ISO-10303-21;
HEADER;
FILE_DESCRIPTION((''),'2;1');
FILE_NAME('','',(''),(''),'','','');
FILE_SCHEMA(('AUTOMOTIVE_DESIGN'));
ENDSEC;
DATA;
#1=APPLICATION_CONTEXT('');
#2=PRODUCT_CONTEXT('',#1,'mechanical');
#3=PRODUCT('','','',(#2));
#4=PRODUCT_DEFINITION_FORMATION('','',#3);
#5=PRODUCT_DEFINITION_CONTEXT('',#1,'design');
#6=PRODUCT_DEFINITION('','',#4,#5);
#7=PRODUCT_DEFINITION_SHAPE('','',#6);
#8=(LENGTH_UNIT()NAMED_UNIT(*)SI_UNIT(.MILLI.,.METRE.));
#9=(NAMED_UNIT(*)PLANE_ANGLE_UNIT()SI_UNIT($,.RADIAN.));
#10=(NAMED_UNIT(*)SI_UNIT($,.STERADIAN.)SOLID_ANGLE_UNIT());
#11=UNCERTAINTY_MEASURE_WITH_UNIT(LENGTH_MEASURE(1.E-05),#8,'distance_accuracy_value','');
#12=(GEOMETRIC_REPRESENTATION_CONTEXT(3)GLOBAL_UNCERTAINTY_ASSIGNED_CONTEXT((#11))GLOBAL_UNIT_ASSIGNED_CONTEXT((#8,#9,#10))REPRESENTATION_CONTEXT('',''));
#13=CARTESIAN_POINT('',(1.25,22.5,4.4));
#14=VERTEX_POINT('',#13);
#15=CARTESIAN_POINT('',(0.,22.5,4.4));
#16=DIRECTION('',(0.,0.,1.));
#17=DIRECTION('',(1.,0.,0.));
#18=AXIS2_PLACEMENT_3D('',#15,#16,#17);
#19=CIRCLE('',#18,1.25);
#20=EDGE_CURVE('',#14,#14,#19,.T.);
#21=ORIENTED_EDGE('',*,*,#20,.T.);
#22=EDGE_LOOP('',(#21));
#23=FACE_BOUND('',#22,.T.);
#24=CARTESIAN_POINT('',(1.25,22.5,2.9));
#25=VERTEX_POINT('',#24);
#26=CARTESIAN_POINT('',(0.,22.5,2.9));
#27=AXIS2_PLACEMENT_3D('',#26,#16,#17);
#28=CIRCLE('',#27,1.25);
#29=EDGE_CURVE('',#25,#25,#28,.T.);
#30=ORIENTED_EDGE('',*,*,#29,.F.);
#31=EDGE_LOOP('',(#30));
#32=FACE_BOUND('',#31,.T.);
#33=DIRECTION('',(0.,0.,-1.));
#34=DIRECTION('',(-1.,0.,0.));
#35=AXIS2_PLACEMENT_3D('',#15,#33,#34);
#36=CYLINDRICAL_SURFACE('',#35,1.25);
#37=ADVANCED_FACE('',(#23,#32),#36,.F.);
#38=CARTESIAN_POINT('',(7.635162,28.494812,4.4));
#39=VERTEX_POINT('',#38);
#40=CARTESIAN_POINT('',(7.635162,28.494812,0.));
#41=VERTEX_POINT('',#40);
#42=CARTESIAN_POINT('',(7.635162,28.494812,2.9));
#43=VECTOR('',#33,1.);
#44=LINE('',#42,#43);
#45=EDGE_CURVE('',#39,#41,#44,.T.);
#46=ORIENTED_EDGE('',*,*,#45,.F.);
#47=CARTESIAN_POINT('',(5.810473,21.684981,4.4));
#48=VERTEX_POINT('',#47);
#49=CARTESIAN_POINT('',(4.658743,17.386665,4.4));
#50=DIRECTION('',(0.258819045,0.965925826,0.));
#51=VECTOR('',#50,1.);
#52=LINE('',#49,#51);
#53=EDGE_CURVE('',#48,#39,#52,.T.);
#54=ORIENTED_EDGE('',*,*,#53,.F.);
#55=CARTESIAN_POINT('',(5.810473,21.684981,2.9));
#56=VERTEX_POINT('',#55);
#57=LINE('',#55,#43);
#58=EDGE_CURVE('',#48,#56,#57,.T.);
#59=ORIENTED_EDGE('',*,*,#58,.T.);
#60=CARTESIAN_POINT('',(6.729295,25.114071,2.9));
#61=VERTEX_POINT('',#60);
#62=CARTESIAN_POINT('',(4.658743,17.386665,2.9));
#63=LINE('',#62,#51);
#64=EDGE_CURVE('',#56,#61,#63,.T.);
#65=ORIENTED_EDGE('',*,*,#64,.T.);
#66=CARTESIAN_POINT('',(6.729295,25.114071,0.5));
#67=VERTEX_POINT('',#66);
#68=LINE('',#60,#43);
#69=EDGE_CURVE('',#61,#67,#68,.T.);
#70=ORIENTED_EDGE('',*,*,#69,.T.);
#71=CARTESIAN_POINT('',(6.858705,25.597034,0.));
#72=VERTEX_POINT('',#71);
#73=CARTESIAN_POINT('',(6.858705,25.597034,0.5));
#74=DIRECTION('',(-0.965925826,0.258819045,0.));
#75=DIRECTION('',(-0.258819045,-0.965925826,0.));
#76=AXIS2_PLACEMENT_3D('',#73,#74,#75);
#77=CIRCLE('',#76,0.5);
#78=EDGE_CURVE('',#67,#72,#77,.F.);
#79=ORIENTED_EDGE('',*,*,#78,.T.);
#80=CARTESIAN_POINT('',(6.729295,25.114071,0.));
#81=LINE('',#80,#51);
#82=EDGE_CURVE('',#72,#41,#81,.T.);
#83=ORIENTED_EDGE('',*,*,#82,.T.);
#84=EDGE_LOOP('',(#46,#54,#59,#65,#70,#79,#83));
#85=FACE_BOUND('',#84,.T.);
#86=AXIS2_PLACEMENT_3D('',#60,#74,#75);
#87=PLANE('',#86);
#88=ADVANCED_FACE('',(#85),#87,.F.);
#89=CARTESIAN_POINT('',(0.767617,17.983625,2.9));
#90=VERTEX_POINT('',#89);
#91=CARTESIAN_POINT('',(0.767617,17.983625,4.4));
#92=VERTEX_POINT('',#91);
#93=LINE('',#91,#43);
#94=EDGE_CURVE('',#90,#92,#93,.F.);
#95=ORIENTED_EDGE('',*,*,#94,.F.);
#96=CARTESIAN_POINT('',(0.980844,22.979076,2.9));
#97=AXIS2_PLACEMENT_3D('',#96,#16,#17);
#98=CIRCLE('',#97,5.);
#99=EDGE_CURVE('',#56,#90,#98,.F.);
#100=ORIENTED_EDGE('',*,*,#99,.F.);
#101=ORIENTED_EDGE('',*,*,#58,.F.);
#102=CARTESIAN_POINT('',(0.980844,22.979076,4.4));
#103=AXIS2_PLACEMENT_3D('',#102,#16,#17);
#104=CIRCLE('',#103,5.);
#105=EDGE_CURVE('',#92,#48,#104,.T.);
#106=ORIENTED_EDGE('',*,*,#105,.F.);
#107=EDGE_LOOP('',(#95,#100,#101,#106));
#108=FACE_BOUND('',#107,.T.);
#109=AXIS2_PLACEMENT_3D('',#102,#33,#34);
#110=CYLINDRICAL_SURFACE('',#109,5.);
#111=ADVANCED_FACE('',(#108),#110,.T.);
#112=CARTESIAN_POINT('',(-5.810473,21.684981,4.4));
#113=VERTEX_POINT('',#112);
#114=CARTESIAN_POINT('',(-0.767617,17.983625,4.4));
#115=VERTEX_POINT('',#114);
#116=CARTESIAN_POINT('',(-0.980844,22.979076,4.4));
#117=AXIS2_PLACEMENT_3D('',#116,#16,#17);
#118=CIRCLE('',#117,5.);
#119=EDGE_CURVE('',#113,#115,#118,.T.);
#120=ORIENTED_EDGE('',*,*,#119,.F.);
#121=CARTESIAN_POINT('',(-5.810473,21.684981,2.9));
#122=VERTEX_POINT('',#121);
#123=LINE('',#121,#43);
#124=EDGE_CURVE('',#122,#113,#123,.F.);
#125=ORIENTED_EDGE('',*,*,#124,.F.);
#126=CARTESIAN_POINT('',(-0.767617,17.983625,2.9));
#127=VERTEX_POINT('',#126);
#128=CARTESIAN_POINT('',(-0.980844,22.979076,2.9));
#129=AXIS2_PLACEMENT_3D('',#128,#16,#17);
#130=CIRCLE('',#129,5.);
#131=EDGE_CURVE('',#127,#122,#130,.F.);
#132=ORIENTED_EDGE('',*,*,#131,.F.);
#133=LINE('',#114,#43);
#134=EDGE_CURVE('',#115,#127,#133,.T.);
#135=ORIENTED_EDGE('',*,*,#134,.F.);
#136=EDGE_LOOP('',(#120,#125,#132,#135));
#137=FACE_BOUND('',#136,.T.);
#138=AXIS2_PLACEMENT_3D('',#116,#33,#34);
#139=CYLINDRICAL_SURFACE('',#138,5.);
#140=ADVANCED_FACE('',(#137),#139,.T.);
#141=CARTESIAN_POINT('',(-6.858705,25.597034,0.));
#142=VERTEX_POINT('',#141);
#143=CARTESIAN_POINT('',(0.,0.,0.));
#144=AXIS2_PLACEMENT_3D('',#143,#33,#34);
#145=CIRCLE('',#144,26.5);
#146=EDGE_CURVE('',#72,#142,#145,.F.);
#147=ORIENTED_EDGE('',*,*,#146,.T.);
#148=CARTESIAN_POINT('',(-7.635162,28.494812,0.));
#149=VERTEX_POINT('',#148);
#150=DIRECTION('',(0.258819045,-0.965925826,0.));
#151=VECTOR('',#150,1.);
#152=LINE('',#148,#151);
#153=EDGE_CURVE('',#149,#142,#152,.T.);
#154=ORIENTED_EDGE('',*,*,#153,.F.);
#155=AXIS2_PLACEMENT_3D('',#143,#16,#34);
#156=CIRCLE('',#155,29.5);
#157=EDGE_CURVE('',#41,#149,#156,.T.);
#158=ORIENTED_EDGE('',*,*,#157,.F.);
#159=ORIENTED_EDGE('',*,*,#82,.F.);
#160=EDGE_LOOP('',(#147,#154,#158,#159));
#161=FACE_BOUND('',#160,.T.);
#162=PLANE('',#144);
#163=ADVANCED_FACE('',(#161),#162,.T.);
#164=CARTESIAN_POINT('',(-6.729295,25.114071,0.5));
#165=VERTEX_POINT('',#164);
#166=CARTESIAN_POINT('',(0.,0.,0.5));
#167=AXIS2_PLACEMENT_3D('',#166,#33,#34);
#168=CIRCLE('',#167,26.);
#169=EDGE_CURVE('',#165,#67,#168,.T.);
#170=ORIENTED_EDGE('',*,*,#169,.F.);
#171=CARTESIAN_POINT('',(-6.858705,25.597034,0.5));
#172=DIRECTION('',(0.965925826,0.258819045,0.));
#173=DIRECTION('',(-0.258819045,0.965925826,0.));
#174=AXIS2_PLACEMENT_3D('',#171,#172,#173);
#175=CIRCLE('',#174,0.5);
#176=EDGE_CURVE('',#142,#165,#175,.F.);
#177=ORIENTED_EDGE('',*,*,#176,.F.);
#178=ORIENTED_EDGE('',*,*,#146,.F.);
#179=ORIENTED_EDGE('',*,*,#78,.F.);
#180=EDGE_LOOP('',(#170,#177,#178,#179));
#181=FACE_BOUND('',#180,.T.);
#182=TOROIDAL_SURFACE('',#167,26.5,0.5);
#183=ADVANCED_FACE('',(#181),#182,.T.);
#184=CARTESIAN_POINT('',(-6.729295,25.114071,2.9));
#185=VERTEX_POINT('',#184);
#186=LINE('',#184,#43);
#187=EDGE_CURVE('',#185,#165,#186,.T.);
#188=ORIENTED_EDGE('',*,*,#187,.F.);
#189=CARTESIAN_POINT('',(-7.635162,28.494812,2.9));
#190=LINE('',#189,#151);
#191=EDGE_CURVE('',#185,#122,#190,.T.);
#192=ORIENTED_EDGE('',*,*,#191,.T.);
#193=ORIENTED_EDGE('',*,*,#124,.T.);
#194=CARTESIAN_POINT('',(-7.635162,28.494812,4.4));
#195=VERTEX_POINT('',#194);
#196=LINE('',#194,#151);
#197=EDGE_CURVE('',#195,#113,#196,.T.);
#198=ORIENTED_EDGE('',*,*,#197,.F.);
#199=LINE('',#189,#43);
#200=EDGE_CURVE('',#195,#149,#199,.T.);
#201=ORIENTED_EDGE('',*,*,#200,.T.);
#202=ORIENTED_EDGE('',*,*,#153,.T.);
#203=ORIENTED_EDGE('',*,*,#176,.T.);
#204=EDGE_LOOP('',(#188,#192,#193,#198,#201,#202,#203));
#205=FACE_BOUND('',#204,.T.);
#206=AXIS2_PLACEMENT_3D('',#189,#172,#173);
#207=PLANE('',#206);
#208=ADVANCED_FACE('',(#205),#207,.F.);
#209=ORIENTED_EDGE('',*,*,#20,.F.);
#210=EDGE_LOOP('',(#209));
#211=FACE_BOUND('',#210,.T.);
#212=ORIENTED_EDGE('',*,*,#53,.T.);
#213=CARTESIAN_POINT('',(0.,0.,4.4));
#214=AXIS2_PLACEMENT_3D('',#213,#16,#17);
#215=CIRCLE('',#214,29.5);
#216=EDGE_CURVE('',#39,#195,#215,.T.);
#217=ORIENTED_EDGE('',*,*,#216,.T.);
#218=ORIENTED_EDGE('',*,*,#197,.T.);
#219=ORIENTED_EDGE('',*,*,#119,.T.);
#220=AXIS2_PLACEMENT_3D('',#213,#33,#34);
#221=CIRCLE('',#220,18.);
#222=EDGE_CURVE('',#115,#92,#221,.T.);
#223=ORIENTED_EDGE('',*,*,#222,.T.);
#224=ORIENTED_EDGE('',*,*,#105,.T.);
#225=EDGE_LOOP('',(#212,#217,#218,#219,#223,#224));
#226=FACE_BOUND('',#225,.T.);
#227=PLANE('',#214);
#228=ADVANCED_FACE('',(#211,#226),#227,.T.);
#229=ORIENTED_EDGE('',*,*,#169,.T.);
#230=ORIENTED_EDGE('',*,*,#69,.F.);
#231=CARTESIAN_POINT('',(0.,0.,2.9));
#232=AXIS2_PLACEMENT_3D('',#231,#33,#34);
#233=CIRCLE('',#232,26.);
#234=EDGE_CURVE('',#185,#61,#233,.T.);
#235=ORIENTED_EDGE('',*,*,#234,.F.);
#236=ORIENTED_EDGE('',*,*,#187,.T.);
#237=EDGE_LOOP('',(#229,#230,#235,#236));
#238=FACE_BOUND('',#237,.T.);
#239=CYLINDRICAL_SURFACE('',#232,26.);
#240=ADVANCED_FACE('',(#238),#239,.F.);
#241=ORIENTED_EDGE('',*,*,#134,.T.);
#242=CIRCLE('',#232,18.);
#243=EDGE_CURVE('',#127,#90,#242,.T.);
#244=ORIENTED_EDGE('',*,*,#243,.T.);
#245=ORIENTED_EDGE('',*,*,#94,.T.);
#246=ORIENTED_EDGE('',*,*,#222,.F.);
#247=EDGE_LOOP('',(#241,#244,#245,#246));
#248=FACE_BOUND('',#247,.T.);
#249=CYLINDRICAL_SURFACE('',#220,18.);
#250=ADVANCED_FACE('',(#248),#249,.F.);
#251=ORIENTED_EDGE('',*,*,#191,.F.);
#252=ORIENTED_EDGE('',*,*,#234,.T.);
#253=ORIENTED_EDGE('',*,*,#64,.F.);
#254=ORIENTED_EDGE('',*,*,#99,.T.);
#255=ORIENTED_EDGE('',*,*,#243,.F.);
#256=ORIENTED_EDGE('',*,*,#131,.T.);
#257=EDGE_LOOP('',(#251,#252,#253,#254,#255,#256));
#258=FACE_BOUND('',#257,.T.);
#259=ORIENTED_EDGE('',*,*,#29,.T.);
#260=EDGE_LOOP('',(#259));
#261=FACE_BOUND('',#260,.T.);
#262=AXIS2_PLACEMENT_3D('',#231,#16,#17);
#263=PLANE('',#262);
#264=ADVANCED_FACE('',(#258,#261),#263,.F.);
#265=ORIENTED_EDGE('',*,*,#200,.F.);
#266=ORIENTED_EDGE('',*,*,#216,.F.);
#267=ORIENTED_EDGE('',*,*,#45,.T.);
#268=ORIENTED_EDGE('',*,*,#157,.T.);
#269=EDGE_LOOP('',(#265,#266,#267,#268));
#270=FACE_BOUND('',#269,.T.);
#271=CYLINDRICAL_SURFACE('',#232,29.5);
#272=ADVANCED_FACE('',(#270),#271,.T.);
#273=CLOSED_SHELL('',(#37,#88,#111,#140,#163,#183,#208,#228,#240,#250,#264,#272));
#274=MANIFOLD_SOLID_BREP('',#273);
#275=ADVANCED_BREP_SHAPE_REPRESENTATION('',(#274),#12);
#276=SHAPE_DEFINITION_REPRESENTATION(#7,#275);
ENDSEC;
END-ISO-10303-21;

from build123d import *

# Parameters (mm, degrees)
EXTRUDE_1_DEPTH = 2.9
SKETCH_2_R      = 1.25
EXTRUDE_2_DEPTH = 1.5
FILLET_1_R      = 5
FILLET_2_R      = 0.5


with BuildPart() as part:
    # 草图1 → 凸台-拉伸1 (new body)
    with BuildSketch(Plane.XY):
        with BuildLine():
            Line((-7.635161831, 28.494811876), (-6.729295173, 25.114071484))
            ThreePointArc((-6.729295173, 25.114071484), (0, 26), (6.729295173, 25.114071484))
            Line((6.729295173, 25.114071484), (7.635161831, 28.494811876))
            ThreePointArc((7.635161831, 28.494811876), (0, 29.5), (-7.635161831, 28.494811876))
        make_face()
    extrude(amount=EXTRUDE_1_DEPTH)

    # 草图2 → 凸台-拉伸2 (add)
    with BuildSketch(Plane.XY.offset(2.9)):
        with BuildLine():
            Line((-7.635161831, 28.494811876), (-4.658742812, 17.386664873))
            ThreePointArc((-4.658742812, 17.386664873), (0, 18), (4.658742812, 17.386664873))
            Line((4.658742812, 17.386664873), (7.635161831, 28.494811876))
            ThreePointArc((7.635161831, 28.494811876), (0, 29.5), (-7.635161831, 28.494811876))
        make_face()
        with Locations((0, 22.5)):
            Circle(SKETCH_2_R, mode=Mode.SUBTRACT)
    extrude(amount=EXTRUDE_2_DEPTH)

    # 圆角1
    fillet_1_edges = [part.edges().sort_by_distance(p)[0] for p in [
        (-4.658742812, 17.386664873, 3.65),
        (4.658742812, 17.386664873, 3.65),
    ]]
    fillet(fillet_1_edges, radius=FILLET_1_R)

    # 圆角2
    fillet_2_edges = [part.edges().sort_by_distance(p)[0] for p in [
        (0, 26, 0),
    ]]
    fillet(fillet_2_edges, radius=FILLET_2_R)


solid = part.part
